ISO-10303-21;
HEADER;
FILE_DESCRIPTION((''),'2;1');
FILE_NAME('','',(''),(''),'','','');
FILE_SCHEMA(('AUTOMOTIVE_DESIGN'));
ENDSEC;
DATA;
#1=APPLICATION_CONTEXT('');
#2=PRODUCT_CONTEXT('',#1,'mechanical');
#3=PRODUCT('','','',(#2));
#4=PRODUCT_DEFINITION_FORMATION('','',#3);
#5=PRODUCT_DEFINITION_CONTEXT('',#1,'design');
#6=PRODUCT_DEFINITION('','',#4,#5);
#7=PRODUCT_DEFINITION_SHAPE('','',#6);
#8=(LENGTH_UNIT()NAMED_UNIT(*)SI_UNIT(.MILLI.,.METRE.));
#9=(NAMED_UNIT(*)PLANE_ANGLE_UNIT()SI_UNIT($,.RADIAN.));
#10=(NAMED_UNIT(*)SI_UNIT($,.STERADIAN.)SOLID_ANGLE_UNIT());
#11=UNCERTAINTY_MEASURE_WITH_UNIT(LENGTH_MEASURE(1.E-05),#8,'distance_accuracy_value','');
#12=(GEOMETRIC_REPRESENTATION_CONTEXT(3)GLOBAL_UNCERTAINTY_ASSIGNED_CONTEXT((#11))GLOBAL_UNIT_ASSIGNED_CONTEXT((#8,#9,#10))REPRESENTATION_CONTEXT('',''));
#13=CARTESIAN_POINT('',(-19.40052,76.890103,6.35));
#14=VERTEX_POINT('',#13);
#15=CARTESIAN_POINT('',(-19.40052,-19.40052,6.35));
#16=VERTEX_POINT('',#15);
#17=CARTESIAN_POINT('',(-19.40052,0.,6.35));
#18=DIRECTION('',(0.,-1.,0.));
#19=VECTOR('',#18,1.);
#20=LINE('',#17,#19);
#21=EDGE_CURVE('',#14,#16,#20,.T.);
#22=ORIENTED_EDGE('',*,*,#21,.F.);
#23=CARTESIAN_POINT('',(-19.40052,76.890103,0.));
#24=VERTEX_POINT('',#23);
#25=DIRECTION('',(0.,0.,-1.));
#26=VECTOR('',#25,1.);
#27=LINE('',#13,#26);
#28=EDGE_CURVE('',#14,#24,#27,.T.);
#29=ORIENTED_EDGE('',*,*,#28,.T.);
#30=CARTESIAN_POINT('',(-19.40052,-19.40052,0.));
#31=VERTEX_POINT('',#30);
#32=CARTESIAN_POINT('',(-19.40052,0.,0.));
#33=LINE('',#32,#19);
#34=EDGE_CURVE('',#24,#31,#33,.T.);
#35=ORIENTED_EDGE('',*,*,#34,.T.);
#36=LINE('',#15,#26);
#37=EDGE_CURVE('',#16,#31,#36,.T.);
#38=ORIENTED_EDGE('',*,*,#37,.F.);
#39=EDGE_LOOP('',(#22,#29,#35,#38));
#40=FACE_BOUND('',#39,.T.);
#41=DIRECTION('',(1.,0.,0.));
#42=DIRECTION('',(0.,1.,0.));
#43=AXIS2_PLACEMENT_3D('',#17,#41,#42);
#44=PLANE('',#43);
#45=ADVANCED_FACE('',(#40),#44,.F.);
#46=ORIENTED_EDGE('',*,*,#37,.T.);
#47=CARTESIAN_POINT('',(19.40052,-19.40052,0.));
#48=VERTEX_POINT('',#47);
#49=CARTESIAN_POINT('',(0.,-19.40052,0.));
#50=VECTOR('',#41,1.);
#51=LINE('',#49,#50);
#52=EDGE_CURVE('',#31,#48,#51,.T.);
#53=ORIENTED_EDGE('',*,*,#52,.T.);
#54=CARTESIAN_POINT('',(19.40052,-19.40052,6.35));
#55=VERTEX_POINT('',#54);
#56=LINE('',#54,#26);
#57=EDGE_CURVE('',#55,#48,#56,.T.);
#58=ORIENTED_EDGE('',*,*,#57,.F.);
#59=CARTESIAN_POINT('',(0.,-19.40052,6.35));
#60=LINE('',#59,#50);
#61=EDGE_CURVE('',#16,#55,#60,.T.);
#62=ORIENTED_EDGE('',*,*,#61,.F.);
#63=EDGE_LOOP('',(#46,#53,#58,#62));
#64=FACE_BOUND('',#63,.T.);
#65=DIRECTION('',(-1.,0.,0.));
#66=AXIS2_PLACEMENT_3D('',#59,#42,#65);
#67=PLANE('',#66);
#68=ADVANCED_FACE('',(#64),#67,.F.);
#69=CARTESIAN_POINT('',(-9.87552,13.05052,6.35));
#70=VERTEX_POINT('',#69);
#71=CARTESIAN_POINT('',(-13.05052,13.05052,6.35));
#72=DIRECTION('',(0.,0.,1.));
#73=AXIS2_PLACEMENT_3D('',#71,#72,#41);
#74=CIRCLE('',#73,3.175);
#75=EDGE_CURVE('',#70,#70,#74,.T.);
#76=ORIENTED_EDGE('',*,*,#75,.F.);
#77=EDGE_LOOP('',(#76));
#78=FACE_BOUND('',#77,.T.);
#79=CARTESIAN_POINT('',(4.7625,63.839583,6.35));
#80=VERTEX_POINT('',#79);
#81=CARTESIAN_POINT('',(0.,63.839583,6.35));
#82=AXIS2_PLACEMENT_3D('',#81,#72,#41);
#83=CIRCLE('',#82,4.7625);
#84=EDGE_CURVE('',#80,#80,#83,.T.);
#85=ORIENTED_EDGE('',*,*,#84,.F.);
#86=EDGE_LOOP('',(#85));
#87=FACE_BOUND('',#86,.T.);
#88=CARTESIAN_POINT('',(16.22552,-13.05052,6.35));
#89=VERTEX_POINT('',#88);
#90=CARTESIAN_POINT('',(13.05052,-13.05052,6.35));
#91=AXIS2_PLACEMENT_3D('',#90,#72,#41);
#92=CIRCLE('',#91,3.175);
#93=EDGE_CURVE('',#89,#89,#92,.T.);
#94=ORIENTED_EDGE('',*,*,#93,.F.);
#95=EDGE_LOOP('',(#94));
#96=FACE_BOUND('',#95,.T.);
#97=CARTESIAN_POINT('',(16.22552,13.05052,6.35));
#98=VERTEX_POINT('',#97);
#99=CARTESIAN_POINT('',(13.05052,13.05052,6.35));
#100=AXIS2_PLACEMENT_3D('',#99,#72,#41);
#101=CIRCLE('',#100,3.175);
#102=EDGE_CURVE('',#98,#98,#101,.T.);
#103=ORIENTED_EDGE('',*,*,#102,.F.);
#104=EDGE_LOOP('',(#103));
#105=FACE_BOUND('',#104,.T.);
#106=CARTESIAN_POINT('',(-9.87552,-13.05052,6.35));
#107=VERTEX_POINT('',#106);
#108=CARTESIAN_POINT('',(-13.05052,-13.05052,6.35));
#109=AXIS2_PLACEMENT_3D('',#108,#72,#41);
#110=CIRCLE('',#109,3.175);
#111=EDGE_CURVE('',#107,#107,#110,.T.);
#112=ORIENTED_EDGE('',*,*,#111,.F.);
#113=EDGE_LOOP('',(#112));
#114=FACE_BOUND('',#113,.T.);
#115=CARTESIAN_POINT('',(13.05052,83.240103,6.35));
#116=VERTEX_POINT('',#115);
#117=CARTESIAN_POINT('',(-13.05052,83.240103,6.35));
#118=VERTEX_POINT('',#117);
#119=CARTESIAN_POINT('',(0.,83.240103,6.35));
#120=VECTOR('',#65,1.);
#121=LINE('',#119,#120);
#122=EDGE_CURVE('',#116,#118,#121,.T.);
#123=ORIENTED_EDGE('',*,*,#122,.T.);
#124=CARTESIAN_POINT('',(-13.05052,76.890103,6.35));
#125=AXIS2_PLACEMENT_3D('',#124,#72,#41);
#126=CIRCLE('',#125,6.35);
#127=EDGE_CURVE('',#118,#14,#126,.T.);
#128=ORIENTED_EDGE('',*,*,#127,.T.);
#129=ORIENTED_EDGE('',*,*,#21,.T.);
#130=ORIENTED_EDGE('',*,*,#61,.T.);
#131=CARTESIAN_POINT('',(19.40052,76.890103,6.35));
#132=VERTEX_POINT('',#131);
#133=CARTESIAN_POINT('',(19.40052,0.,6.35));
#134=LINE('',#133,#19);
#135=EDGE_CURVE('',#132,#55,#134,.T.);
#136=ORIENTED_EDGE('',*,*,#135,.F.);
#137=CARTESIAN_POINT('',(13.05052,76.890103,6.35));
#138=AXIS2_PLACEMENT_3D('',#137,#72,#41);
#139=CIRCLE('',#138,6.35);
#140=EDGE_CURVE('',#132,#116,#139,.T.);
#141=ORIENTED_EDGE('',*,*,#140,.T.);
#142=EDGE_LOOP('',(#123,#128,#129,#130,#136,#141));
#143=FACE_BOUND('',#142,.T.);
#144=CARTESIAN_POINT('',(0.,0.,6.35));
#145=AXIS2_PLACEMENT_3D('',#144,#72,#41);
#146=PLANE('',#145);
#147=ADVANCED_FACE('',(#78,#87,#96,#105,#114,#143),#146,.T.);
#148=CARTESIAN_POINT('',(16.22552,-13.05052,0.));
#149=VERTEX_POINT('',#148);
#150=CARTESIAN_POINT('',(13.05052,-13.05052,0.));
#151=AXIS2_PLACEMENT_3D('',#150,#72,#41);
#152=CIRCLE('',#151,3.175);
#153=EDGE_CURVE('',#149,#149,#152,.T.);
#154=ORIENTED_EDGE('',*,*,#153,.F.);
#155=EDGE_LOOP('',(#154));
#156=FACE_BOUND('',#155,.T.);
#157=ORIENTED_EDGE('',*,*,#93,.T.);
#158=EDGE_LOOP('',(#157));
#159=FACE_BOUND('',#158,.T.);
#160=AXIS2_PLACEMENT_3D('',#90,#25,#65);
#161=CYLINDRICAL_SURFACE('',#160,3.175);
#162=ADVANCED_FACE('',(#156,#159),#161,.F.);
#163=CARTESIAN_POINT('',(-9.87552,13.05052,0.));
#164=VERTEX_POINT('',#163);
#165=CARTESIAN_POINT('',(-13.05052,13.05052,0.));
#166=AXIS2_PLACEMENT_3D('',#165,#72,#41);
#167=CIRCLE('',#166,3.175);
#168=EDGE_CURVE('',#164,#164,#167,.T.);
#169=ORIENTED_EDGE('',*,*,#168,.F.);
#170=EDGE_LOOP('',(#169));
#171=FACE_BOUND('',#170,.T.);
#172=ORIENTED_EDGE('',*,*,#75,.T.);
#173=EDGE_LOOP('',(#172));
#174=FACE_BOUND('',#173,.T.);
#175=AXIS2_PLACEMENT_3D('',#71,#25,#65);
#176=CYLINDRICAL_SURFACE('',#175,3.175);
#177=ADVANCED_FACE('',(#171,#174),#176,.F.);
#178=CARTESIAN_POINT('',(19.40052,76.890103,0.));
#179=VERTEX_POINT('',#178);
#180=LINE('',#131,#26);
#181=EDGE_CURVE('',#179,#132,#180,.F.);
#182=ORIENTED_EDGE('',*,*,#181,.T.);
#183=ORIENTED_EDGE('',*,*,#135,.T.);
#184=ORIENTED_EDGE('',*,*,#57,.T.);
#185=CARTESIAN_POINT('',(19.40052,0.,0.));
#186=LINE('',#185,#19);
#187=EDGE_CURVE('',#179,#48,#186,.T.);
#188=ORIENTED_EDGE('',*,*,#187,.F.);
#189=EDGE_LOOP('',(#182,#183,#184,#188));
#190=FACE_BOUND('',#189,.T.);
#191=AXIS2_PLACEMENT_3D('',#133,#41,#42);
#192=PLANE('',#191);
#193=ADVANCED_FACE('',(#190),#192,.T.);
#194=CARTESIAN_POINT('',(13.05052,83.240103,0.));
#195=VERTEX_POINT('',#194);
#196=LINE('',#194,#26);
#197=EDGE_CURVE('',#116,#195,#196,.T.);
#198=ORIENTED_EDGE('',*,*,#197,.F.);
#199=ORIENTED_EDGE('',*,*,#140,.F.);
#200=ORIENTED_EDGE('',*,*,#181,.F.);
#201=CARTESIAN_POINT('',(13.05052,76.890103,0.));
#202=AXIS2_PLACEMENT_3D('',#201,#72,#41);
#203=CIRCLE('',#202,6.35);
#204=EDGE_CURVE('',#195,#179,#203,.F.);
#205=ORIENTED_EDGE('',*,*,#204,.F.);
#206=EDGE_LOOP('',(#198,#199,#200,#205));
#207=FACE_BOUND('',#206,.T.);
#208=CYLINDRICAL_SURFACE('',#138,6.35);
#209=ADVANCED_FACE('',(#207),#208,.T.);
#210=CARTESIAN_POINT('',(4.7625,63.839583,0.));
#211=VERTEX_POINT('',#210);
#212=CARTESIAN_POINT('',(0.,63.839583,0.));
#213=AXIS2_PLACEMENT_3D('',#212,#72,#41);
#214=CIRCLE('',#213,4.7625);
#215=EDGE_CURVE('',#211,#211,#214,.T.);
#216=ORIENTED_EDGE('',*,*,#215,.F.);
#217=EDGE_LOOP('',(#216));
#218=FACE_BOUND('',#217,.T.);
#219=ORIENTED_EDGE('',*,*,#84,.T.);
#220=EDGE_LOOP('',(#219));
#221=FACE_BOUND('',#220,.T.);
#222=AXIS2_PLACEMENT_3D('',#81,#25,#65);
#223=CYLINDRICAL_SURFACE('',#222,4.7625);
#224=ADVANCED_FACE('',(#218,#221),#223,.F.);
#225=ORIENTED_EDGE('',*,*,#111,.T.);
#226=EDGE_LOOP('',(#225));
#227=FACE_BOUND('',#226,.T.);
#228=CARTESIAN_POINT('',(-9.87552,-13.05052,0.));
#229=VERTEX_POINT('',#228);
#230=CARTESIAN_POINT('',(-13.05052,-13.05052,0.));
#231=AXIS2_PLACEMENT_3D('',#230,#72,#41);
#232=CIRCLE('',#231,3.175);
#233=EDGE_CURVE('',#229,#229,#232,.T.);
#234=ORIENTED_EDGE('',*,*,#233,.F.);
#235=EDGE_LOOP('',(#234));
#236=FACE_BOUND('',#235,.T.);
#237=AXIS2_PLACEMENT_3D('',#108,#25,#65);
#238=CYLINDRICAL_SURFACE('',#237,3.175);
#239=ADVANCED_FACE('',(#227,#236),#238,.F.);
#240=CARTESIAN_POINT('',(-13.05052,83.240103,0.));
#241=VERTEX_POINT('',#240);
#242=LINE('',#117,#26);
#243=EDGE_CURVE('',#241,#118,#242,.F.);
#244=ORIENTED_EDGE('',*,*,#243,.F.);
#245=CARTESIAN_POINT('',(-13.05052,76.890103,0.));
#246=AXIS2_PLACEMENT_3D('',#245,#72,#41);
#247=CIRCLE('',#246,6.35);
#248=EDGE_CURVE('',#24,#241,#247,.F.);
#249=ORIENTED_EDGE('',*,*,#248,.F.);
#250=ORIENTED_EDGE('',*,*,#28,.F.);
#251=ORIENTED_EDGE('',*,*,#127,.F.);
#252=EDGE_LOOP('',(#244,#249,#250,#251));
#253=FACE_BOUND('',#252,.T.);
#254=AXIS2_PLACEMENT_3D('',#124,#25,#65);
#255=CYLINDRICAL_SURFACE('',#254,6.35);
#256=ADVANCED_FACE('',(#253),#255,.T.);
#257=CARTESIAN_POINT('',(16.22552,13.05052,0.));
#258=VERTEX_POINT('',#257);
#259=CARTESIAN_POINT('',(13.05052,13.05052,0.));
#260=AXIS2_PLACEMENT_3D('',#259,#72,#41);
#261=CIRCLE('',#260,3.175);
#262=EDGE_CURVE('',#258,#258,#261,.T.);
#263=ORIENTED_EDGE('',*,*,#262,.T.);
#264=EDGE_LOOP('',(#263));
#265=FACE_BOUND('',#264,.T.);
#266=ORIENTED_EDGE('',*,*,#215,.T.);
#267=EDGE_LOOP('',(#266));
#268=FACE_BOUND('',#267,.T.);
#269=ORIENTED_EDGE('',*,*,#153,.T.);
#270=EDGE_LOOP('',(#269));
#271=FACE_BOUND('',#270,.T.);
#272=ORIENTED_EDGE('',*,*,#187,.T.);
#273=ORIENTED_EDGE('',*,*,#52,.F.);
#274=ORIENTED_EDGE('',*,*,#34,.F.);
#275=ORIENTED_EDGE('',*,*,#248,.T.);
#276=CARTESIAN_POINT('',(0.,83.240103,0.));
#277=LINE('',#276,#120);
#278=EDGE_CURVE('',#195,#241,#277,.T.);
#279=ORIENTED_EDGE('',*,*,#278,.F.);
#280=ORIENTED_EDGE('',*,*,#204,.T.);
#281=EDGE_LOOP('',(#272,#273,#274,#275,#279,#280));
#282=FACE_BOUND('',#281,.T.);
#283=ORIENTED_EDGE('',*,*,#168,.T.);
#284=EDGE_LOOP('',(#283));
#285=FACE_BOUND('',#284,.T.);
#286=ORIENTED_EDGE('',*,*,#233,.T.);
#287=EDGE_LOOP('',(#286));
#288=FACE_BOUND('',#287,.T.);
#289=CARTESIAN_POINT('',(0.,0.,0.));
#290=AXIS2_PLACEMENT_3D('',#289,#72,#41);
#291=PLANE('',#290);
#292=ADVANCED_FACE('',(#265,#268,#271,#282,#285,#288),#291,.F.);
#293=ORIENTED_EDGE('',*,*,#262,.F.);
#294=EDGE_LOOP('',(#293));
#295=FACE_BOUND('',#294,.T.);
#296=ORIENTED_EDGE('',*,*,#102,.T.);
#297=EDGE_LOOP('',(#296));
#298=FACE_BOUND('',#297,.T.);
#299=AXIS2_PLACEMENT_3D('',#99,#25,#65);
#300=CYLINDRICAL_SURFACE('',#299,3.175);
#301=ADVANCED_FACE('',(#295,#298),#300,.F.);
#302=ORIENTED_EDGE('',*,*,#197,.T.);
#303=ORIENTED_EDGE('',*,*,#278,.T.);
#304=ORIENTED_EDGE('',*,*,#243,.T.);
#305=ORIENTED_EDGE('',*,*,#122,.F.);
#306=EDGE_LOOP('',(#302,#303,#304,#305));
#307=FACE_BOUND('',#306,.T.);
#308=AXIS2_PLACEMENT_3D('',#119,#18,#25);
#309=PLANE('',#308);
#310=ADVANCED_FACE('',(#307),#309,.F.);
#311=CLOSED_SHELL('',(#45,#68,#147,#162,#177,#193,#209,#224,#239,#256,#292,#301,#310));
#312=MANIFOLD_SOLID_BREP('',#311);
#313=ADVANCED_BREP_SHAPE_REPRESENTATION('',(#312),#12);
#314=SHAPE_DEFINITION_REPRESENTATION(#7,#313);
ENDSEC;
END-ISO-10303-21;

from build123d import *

# Parameters (mm, degrees)
SKETCH1_R           = 4.7625
SKETCH1_W           = 38.80104
SKETCH1_H           = 38.80104
SKETCH1_R_2         = 3.175
BOSS_EXTRUDE1_DEPTH = 6.35
FILLET1_R           = 6.35


with BuildPart() as part:
    # Sketch1 → Boss-Extrude1 (new body)
    with BuildSketch(Plane.XY):
        Polygon((19.40052, 19.40052), (-19.40052, 19.40052), (-19.40052, 44.4390625), (-19.40052, 83.2401025), (19.40052, 83.2401025), (19.40052, 44.4390625), align=None)
        with Locations((0, 63.8395825)):
            Circle(SKETCH1_R, mode=Mode.SUBTRACT)
        Rectangle(SKETCH1_W, SKETCH1_H)
        with Locations((13.05052, -13.05052)):
            Circle(SKETCH1_R_2, mode=Mode.SUBTRACT)
        with Locations((-13.05052, -13.05052)):
            Circle(SKETCH1_R_2, mode=Mode.SUBTRACT)
        with Locations((-13.05052, 13.05052)):
            Circle(SKETCH1_R_2, mode=Mode.SUBTRACT)
        with Locations((13.05052, 13.05052)):
            Circle(SKETCH1_R_2, mode=Mode.SUBTRACT)
    extrude(amount=BOSS_EXTRUDE1_DEPTH)

    # Fillet1
    fillet1_edges = [part.edges().sort_by_distance(p)[0] for p in [
        (-19.40052, 83.2401025, 3.175),
        (19.40052, 83.2401025, 3.175),
    ]]
    fillet(fillet1_edges, radius=FILLET1_R)


solid = part.part
